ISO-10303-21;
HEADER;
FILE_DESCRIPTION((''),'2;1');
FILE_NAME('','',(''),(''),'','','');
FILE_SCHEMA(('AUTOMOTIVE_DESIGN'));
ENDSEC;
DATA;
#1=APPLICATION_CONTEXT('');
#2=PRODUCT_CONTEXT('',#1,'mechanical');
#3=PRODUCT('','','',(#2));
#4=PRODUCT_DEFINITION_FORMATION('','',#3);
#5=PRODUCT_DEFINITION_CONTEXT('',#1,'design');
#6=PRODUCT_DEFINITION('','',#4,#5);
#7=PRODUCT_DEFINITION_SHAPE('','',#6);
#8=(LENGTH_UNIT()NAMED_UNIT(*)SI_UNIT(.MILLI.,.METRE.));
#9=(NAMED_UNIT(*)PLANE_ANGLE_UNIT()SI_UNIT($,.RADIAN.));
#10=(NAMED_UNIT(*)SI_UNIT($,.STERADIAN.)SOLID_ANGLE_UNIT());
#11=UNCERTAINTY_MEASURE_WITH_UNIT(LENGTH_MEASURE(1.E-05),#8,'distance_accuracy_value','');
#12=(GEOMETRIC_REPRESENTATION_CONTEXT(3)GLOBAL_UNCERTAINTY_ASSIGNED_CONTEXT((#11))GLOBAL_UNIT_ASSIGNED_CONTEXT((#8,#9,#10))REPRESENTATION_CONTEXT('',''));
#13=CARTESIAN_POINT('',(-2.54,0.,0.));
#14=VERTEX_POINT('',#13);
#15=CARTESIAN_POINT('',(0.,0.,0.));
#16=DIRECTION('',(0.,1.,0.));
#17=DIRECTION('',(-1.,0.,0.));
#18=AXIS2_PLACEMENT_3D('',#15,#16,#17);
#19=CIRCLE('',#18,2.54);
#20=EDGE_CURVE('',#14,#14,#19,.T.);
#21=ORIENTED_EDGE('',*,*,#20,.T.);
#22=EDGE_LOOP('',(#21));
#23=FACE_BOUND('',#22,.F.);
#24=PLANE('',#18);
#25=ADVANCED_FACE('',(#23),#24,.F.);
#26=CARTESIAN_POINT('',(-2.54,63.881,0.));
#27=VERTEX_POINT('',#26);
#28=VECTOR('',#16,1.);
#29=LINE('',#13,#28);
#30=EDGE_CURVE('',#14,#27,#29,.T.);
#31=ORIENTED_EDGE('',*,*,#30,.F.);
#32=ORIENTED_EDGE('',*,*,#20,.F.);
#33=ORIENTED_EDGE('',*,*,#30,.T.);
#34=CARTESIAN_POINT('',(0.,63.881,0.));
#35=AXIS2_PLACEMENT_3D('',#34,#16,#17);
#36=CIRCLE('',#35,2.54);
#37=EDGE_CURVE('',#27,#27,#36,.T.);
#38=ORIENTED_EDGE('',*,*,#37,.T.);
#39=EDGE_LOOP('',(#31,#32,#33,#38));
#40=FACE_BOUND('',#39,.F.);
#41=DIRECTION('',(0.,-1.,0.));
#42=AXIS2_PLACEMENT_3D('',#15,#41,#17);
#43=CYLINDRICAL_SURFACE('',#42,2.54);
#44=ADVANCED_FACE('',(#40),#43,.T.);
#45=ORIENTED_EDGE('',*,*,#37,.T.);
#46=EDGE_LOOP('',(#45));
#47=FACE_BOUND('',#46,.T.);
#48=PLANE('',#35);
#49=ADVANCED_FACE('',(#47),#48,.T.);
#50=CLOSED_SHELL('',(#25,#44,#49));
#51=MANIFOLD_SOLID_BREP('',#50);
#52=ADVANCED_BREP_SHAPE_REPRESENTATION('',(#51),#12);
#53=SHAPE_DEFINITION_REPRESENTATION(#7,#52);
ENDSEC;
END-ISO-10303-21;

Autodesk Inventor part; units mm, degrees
ref_plane "YZ Plane" through (0, 0, 0) normal (1, 0, 0) x (0, 1, 0)
ref_plane "XZ Plane" through (0, 0, 0) normal (0, 1, 0) x (-1, 0, 0)
ref_plane "XY Plane" through (0, 0, 0) normal (0, 0, 1) x (1, 0, 0)
sketch "Sketch1" plane through (0, 0, 0) normal (0, 1, 0) x (-1, 0, 0)
  circle A0 centre (0, 0) radius 2.54
  dimension "d0" = 5.08
extrude "Extrusion1" add sketch "Sketch1" along normal blind 63.881
properties part number "pin for door hinge"
